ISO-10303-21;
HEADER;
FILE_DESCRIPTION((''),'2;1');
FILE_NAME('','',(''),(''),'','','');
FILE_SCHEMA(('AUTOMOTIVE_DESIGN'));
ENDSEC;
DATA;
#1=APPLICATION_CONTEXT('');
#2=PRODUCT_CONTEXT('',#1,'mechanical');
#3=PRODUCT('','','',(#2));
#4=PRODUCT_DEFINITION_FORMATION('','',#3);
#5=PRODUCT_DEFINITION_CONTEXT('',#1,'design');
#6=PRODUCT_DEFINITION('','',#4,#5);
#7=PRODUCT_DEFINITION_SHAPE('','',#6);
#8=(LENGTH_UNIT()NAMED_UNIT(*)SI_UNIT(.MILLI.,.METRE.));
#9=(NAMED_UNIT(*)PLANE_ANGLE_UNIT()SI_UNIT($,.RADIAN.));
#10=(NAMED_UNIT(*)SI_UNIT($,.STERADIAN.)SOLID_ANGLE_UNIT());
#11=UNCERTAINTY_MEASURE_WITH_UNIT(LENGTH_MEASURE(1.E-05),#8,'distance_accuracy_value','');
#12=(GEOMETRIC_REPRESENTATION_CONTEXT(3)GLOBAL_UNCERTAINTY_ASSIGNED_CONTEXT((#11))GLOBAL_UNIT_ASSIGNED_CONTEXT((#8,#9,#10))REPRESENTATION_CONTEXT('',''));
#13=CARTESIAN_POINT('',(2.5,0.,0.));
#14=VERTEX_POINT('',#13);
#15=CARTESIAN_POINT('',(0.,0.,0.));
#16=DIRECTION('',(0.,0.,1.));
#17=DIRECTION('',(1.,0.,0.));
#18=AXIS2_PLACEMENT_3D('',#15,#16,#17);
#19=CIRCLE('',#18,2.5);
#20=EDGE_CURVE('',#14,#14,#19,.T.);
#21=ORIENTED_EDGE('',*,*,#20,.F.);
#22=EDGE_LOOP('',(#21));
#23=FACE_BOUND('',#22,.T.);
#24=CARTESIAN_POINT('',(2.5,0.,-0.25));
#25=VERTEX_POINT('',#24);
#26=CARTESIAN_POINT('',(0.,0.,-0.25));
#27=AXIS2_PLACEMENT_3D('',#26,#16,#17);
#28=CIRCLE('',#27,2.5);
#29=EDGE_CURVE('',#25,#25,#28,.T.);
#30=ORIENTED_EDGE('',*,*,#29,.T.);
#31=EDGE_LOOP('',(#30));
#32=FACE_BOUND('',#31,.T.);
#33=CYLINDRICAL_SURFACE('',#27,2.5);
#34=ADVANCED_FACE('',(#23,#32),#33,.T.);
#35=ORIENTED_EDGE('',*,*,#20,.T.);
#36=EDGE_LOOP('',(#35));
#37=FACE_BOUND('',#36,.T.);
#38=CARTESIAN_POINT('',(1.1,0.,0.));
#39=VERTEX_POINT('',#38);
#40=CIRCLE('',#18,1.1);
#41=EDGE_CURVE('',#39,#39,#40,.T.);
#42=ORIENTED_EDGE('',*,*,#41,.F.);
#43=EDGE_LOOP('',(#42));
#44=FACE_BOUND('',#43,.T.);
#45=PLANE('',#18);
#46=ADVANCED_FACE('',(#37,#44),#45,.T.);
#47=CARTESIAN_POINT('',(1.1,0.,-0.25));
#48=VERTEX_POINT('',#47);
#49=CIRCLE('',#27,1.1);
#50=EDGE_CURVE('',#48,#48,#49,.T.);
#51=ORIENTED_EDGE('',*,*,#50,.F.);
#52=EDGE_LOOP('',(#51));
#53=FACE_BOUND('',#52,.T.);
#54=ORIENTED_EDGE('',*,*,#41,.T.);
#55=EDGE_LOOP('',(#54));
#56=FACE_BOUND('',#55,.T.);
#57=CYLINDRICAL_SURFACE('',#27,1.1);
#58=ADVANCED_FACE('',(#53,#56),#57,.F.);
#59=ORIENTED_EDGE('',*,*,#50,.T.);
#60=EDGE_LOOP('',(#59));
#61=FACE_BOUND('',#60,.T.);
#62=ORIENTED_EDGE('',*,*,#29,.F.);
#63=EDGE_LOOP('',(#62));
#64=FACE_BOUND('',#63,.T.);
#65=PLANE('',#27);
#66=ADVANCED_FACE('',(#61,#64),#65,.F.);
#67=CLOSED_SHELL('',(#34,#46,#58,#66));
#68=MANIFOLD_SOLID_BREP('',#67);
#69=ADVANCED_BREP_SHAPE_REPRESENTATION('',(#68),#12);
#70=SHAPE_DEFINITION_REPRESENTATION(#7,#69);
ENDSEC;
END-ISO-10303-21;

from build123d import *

# Parameters (mm, degrees)
SKETCH1_R      = 2.5
SKETCH1_R_2    = 1.1
EXTRUDE1_DEPTH = 0.25


with BuildPart() as part:
    # Sketch1 → Extrude1 (new body)
    with BuildSketch(Plane.XY):
        Circle(SKETCH1_R)
        Circle(SKETCH1_R_2, mode=Mode.SUBTRACT)
    extrude(amount=-EXTRUDE1_DEPTH)


solid = part.part
